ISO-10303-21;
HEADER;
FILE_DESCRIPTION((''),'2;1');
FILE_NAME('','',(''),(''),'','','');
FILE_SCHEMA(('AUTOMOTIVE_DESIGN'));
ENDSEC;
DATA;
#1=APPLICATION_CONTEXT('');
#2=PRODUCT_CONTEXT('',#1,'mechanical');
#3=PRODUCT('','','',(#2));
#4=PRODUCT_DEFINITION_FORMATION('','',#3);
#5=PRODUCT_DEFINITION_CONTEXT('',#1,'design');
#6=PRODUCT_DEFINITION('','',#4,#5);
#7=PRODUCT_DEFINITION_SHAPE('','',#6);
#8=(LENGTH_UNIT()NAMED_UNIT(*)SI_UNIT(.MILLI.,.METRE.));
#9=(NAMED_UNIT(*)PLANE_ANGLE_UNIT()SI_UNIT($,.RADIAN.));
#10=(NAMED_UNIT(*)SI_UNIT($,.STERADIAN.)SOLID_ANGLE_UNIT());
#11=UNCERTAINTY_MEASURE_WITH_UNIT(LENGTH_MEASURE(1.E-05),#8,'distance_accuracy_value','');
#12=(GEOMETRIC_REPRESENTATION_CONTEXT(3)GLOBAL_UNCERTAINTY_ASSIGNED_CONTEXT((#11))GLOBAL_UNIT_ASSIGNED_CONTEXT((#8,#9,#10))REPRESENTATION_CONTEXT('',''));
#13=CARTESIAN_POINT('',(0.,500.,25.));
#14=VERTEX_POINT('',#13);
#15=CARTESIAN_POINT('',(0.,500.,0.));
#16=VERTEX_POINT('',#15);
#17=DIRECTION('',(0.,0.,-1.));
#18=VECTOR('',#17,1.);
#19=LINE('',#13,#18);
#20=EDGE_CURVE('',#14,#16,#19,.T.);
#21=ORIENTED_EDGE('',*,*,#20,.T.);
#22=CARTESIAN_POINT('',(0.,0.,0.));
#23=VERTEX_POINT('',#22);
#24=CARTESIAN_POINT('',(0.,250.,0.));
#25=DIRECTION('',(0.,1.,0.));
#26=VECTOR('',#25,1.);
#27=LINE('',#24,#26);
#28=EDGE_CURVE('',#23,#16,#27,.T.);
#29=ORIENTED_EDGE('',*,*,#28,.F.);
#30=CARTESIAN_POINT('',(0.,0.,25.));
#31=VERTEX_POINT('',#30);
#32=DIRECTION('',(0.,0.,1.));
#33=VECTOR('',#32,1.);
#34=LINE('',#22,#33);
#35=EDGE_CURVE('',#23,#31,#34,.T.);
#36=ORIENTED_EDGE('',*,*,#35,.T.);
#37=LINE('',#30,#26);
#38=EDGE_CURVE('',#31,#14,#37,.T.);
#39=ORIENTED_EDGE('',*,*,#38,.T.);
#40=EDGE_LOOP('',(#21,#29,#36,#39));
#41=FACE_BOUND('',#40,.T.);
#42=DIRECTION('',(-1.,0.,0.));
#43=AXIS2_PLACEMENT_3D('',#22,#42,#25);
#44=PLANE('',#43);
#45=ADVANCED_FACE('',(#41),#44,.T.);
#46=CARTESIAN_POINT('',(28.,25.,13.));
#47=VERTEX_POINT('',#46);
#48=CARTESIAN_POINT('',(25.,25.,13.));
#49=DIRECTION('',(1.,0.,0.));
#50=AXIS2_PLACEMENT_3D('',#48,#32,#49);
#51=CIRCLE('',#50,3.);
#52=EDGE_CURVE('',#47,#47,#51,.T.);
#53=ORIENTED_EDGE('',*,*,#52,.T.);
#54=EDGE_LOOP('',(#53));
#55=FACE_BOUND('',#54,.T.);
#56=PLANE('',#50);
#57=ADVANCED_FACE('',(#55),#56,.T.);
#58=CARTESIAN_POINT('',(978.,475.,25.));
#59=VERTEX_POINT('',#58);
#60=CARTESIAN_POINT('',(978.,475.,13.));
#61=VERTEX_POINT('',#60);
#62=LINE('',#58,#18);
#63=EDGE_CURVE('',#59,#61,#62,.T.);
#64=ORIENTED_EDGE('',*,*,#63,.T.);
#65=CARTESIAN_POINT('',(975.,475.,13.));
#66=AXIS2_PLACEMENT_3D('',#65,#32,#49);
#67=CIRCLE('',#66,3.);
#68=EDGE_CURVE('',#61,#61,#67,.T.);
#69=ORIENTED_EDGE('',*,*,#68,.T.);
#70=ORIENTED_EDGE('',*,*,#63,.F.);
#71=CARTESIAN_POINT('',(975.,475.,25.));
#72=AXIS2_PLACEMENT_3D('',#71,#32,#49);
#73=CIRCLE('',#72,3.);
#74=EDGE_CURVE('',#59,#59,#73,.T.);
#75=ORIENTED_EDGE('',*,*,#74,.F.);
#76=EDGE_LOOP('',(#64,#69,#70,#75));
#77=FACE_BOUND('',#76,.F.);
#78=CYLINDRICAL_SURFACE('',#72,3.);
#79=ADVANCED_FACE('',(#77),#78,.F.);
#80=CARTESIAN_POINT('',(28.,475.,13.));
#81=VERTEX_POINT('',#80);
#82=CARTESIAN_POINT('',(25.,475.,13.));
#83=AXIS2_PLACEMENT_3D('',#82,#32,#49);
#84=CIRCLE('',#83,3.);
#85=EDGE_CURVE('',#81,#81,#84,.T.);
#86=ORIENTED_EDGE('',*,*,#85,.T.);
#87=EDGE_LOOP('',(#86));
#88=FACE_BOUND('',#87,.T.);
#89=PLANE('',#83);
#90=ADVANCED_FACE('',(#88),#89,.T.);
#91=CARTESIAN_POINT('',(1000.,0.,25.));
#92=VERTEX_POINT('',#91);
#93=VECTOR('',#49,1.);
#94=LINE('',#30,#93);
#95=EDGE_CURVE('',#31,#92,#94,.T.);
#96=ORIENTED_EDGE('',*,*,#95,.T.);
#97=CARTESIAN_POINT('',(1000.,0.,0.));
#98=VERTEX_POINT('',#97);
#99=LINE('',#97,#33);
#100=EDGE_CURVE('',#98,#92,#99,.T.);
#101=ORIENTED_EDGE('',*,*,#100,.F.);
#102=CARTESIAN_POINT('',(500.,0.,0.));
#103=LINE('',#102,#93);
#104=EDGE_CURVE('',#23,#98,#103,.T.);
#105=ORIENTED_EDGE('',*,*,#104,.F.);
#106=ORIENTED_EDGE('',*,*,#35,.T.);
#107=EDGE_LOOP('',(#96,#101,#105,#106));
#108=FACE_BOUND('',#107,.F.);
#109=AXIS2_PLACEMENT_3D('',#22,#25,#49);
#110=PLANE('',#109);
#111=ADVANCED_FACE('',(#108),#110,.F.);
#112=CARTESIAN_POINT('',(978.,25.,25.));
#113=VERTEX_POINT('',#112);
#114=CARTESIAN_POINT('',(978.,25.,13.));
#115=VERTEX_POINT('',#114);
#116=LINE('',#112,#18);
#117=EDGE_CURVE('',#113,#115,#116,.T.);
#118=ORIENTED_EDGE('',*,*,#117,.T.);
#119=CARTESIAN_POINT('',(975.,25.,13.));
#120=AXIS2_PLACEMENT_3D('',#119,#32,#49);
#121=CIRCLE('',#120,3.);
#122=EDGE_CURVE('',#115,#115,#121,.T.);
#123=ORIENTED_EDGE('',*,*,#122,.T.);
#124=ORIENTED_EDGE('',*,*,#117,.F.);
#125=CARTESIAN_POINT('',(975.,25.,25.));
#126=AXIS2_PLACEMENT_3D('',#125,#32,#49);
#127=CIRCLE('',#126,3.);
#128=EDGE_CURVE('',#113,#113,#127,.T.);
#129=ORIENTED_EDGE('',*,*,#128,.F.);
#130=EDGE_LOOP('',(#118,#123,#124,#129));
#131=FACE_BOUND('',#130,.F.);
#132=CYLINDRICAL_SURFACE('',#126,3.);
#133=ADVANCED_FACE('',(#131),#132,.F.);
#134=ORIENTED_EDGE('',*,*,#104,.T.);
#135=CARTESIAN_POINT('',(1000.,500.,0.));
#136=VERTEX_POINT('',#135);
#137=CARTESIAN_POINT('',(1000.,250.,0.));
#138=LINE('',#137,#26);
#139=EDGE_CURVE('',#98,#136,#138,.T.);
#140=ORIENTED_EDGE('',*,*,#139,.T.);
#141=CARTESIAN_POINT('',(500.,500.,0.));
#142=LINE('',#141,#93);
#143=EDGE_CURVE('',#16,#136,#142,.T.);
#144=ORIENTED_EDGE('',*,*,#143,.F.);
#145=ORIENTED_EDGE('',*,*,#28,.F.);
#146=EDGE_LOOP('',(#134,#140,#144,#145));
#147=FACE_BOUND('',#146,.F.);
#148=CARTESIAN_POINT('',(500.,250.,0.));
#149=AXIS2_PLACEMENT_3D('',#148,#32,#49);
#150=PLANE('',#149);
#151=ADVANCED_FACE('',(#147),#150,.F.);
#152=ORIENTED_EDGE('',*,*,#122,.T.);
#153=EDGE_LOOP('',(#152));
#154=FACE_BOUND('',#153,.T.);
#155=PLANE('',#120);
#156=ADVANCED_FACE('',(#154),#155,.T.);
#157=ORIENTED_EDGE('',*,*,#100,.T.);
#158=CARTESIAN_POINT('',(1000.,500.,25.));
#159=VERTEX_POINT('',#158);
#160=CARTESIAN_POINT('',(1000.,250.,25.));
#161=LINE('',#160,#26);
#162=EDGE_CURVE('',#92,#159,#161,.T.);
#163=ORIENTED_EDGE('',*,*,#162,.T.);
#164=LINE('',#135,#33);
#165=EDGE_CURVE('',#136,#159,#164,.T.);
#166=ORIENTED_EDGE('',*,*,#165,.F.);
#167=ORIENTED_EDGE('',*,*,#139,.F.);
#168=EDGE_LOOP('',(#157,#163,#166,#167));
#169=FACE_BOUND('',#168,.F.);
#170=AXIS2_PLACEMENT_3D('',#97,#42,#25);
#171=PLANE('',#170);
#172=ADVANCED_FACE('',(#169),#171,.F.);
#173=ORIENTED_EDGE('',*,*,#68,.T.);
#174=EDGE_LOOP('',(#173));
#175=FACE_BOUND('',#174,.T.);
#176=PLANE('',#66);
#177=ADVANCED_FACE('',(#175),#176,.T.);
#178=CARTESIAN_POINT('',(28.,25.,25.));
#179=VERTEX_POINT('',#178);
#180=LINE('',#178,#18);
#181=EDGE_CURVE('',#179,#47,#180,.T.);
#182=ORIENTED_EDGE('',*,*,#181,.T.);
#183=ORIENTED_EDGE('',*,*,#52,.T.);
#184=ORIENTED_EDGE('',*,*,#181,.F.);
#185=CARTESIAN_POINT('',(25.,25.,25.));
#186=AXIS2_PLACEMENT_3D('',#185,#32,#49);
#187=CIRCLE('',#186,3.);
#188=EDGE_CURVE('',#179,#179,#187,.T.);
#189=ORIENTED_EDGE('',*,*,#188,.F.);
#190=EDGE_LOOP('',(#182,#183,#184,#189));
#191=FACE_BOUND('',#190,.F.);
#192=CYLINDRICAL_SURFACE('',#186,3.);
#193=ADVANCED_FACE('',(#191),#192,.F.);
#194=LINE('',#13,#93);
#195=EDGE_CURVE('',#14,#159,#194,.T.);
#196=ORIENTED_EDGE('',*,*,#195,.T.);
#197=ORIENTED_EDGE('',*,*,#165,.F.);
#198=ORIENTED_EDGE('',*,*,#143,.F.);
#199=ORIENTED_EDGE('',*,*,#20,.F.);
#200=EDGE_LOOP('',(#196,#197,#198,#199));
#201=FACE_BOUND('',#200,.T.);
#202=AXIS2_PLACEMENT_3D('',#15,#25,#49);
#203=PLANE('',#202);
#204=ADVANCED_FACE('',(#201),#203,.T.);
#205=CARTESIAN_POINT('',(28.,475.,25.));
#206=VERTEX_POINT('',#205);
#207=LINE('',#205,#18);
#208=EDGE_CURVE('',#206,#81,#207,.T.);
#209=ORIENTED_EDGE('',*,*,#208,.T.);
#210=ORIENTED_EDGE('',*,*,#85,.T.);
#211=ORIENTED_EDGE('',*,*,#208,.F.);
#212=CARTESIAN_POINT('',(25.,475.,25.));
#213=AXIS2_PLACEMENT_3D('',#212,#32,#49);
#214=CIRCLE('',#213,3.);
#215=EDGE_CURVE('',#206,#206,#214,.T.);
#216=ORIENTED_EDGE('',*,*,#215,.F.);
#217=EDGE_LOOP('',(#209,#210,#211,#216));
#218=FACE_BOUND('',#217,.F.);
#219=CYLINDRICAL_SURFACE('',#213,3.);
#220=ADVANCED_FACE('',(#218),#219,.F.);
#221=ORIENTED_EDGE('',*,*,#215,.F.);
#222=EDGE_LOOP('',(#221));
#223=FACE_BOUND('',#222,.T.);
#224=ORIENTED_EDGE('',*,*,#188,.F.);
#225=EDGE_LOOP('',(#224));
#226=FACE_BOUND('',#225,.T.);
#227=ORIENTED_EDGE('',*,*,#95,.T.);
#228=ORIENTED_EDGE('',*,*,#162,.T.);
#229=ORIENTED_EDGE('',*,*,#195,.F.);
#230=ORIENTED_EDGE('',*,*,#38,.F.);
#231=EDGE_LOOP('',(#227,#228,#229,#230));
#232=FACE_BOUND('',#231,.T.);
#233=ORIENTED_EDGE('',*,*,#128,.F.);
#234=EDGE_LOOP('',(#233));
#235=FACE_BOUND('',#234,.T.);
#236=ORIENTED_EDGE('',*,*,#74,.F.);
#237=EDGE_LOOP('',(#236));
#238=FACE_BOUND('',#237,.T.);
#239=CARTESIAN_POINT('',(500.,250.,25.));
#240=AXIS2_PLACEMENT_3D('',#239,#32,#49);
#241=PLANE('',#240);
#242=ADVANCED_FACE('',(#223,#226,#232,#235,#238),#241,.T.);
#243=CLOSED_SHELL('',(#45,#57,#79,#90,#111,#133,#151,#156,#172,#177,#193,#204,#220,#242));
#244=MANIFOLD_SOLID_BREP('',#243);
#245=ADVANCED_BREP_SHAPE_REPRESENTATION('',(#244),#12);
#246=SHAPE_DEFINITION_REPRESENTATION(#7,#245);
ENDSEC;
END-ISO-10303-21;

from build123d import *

# Parameters (mm, degrees)
F0_W     = 1000
F0_H     = 500
F1_DEPTH = 25
F2_W     = 50
F2_H     = 50
F3_DEPTH = 24
F4_R     = 3
F5_DEPTH = 12
F6_R     = 3
F7_DEPTH = 12


with BuildPart() as f1:
    # F0 (on Top) → F1 (new body)
    with BuildSketch(Plane.XY):
        with Locations((500, 250)):
            Rectangle(F0_W, F0_H)
    extrude(amount=F1_DEPTH)

    # F2 (on face) → F3 (join)
    with BuildSketch(Plane.XY.offset(25)):
        with Locations((25, 475)):
            Rectangle(F2_W, F2_H)
        with Locations((25, 25)):
            Rectangle(F2_W, F2_H)
    extrude(amount=-F3_DEPTH)

    # F4 (on face) → F5 (cut)
    with BuildSketch(Plane.XY.offset(25)):
        with Locations((975, 475)):
            Circle(F4_R)
        with Locations((975, 25)):
            Circle(F4_R)
    extrude(amount=-F5_DEPTH, mode=Mode.SUBTRACT)

    # F6 (on face) → F7 (cut)
    with BuildSketch(Plane.XY.offset(25)):
        with Locations((25, 475)):
            Circle(F6_R)
        with Locations((25, 25)):
            Circle(F6_R)
    extrude(amount=-F7_DEPTH, mode=Mode.SUBTRACT)


solid = f1.part
